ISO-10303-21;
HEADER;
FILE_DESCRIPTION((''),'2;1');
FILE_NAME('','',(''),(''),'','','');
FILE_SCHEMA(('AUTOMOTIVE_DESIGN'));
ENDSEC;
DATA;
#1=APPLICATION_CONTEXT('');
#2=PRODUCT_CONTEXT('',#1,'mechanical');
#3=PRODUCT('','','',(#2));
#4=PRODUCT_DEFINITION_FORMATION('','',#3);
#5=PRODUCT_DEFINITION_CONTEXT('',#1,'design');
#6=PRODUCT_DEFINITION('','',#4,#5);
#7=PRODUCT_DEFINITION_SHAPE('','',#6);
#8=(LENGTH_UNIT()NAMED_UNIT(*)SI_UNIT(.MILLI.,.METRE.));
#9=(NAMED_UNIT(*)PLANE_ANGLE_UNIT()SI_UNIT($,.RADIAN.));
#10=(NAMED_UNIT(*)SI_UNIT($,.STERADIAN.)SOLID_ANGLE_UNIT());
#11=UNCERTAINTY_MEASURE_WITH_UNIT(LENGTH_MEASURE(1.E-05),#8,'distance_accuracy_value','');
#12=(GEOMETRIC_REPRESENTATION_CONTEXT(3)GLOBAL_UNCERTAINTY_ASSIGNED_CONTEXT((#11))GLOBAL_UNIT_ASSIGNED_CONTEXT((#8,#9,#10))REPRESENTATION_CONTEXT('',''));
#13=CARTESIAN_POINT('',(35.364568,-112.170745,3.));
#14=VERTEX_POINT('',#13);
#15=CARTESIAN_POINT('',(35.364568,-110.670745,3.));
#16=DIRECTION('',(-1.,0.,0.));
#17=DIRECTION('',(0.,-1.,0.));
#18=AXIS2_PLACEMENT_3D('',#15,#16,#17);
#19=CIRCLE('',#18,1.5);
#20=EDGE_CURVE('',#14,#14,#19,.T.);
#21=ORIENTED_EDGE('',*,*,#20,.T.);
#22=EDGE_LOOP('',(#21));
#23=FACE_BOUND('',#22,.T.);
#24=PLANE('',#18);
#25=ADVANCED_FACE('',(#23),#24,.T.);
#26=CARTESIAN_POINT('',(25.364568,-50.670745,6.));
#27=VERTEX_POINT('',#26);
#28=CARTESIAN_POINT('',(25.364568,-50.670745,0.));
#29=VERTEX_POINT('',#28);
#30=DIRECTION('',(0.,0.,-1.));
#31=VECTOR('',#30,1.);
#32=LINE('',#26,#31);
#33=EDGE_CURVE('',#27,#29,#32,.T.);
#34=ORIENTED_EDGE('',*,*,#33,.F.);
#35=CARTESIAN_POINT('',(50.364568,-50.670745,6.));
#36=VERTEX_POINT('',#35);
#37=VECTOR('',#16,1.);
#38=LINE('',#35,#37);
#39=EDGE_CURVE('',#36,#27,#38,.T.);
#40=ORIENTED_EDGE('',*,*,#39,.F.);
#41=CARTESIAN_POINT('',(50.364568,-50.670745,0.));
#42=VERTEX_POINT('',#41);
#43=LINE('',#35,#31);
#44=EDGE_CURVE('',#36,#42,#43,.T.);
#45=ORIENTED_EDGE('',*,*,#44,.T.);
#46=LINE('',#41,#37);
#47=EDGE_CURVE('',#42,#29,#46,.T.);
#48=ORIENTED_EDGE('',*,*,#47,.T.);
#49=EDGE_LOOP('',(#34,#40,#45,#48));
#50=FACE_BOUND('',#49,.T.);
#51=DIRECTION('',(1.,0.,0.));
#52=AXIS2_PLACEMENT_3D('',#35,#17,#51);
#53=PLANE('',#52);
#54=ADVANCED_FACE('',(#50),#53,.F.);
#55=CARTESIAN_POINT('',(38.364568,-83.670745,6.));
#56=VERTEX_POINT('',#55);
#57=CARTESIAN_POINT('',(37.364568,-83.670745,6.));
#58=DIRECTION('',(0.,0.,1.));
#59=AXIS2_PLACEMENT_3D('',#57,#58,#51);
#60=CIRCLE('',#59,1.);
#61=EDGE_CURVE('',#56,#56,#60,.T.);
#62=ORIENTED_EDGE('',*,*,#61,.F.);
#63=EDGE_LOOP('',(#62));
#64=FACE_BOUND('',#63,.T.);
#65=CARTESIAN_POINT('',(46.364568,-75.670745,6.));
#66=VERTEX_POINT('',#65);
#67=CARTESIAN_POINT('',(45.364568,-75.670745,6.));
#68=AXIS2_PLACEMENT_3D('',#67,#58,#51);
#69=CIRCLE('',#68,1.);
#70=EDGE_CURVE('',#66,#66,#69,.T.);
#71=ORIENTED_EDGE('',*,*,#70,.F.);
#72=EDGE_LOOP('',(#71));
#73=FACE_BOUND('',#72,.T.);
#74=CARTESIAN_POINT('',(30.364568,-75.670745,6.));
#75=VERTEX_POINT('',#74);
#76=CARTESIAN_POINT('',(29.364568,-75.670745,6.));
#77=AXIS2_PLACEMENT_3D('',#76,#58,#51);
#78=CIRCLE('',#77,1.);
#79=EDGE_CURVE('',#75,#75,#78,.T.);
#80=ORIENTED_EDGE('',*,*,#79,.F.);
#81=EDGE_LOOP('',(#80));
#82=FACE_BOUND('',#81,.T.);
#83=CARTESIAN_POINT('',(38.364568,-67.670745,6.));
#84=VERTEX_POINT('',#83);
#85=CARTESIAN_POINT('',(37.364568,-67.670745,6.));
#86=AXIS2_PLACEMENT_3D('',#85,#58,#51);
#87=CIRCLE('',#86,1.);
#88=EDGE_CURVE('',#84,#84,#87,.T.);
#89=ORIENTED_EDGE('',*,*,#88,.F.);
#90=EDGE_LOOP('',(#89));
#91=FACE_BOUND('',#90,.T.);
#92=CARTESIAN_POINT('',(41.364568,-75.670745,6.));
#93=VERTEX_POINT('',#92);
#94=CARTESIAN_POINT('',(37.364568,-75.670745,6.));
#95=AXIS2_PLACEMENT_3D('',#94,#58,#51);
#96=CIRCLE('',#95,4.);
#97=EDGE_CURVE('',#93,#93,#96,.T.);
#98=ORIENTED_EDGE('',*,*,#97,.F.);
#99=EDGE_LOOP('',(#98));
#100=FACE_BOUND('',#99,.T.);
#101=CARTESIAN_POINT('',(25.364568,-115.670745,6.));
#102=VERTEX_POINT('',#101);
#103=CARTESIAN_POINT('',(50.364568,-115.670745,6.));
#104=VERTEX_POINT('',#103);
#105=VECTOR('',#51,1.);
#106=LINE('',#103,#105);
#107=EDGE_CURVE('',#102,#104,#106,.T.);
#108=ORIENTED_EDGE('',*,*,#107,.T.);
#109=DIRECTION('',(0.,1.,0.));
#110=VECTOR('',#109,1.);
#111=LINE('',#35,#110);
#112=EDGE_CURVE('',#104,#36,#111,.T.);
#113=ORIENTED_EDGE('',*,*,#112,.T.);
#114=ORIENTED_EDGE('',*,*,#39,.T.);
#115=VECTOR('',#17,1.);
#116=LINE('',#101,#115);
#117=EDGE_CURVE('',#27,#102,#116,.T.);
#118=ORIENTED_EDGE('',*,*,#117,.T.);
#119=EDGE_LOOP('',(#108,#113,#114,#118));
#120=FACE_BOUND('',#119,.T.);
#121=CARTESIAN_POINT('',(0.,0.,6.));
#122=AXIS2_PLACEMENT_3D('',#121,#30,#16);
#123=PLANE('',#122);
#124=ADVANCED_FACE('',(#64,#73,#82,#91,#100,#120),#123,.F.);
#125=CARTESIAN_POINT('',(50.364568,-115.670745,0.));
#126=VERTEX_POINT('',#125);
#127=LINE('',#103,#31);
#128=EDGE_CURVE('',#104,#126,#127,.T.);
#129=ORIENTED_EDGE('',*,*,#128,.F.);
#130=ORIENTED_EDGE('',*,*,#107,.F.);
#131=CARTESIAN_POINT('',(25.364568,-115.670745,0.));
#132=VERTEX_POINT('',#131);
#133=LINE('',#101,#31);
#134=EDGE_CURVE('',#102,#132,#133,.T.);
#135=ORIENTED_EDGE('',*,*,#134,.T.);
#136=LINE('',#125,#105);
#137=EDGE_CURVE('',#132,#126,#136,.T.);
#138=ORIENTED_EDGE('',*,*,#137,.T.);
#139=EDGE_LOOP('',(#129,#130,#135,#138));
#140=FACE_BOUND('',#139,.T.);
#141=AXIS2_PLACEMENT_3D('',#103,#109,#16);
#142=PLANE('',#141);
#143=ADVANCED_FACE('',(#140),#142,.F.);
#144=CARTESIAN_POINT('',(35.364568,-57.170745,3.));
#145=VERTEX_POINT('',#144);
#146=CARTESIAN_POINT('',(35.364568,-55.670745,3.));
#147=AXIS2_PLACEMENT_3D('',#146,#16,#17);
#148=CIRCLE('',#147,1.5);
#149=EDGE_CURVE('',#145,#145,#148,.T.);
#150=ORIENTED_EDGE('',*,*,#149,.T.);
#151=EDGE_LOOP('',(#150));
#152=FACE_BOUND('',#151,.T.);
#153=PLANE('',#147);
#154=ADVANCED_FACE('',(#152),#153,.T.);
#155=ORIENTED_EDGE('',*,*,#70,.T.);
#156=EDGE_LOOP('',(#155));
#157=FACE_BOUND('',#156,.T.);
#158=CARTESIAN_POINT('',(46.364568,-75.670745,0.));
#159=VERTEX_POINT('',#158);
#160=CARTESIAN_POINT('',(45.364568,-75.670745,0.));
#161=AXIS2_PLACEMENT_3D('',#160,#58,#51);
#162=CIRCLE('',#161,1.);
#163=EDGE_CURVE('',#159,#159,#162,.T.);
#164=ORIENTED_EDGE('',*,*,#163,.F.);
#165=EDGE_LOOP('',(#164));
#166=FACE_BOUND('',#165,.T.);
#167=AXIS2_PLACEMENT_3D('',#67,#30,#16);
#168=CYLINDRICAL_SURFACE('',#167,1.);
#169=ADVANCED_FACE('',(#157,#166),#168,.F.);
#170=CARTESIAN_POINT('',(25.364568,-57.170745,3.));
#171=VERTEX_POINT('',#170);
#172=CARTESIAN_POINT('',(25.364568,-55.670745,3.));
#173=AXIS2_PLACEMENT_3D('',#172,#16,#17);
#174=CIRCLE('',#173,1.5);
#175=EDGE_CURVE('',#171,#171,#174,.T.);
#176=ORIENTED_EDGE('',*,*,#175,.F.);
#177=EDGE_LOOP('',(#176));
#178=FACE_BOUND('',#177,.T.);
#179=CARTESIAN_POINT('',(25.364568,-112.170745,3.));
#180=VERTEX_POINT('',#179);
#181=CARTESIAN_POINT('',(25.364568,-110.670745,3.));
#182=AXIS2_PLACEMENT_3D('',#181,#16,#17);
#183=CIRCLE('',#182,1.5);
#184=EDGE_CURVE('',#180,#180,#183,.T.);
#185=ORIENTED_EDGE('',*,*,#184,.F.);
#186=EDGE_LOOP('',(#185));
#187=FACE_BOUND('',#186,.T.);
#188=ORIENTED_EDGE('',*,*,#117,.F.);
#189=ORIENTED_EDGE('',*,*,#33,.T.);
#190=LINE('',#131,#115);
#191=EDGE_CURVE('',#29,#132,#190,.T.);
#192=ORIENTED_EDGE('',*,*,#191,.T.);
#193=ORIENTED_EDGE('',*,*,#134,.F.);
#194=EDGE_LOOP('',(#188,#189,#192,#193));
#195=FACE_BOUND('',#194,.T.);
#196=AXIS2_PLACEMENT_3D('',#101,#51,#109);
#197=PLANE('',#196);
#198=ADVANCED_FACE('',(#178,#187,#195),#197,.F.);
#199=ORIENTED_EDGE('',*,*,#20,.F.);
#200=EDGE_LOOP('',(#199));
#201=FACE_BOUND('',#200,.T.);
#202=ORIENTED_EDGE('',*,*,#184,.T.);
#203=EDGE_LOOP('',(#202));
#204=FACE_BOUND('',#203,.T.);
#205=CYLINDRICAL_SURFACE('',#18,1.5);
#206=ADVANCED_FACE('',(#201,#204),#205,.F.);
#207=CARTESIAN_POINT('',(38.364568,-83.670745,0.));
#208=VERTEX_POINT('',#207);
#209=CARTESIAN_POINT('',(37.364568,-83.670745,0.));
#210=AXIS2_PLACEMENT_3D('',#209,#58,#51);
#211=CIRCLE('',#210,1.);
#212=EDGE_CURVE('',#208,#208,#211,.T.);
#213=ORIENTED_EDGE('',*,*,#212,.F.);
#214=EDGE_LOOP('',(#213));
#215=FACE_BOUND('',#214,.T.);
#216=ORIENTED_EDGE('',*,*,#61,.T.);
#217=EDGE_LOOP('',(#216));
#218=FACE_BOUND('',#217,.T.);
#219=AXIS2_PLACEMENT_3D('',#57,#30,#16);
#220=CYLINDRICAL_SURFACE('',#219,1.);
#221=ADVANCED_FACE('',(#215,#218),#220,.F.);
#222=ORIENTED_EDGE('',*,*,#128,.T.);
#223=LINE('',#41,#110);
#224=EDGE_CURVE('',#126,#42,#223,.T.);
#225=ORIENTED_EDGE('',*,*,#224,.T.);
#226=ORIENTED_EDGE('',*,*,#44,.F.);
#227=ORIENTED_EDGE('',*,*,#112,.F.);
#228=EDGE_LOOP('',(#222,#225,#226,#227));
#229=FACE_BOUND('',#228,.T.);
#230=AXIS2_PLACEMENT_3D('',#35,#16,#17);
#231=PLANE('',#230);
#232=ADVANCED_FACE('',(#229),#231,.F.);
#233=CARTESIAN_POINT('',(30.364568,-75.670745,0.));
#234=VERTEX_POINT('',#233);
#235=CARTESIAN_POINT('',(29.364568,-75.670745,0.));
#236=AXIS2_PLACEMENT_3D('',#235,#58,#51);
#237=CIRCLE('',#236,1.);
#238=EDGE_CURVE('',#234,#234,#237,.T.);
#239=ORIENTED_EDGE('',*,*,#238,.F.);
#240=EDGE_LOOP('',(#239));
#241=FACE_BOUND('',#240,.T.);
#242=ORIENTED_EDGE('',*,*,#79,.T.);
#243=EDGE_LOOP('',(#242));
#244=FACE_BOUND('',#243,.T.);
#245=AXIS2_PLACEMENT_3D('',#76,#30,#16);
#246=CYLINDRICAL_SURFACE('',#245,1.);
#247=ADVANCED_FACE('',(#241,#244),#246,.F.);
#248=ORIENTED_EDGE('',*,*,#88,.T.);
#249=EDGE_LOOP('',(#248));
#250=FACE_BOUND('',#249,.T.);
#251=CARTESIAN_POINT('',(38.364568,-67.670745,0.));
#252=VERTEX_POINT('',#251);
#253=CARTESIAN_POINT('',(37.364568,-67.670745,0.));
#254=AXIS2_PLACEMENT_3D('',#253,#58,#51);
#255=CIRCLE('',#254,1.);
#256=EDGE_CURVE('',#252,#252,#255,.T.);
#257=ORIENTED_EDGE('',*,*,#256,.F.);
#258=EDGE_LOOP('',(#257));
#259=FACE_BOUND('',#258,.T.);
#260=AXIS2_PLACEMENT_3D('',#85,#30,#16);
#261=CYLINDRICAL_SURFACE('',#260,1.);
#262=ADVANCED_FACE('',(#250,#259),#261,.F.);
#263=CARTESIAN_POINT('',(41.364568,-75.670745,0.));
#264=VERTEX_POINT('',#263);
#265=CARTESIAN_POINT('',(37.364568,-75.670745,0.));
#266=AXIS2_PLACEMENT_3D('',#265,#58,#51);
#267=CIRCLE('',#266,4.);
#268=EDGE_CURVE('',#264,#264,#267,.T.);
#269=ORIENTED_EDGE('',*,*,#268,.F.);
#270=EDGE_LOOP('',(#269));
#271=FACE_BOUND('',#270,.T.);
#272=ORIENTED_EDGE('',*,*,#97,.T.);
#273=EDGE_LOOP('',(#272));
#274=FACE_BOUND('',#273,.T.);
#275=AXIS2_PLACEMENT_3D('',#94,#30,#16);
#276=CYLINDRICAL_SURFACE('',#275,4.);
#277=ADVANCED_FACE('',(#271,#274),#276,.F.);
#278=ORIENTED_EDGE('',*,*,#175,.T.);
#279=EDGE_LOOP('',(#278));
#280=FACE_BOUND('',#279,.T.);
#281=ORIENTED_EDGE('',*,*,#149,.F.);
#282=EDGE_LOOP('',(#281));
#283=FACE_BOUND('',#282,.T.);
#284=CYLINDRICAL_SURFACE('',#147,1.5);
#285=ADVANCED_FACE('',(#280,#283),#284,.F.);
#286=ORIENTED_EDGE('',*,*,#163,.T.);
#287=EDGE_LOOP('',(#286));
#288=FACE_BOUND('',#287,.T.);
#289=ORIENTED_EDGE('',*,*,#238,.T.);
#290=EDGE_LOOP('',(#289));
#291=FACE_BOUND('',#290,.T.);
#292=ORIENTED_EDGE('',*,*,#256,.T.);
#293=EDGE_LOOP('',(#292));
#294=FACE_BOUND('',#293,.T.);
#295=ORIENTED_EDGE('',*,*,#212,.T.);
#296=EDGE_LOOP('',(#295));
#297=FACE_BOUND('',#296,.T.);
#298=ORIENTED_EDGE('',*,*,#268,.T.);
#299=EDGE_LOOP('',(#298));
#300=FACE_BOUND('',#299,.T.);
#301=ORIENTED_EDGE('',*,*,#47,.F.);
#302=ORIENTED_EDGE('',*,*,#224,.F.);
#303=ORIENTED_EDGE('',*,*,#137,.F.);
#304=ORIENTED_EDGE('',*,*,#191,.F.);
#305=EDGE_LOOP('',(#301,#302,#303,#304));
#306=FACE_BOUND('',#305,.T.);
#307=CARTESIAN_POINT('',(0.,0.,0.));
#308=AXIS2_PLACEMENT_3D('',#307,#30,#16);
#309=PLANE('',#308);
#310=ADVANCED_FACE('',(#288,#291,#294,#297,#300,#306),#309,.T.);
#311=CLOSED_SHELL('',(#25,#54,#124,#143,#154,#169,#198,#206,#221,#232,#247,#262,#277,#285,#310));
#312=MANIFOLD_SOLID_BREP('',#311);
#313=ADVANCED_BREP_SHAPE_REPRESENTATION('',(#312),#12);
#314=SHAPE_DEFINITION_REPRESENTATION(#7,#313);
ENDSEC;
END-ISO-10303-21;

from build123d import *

# Parameters (mm, degrees)
ESQUISSE1_W             = 25
ESQUISSE1_H             = 65
ESQUISSE1_R             = 1
ESQUISSE1_R_2           = 4
BOSS_EXTRU_1_DEPTH      = 6
ESQUISSE4_R             = 1.5
ENL_V_MAT_EXTRU_3_DEPTH = 10


with BuildPart() as part:
    # Esquisse1 → Boss.-Extru.1 (new body)
    with BuildSketch(Plane.XY):
        with Locations((37.864568032, -83.170745263)):
            Rectangle(ESQUISSE1_W, ESQUISSE1_H)
        with Locations((29.364568032, -75.670745263)):
            Circle(ESQUISSE1_R, mode=Mode.SUBTRACT)
        with Locations((37.364568032, -67.670745263)):
            Circle(ESQUISSE1_R, mode=Mode.SUBTRACT)
        with Locations((45.364568032, -75.670745263)):
            Circle(ESQUISSE1_R, mode=Mode.SUBTRACT)
        with Locations((37.364568032, -83.670745263)):
            Circle(ESQUISSE1_R, mode=Mode.SUBTRACT)
        with Locations((37.364568032, -75.670745263)):
            Circle(ESQUISSE1_R_2, mode=Mode.SUBTRACT)
    extrude(amount=BOSS_EXTRU_1_DEPTH)

    # Esquisse4 → Enlèv. mat.-Extru.3 (cut)
    with BuildSketch(Plane.ZY.offset(-25.364568032)):
        with Locations((3, -55.670745263)):
            Circle(ESQUISSE4_R)
        with Locations((3, -110.670745263)):
            Circle(ESQUISSE4_R)
    extrude(amount=-ENL_V_MAT_EXTRU_3_DEPTH, mode=Mode.SUBTRACT)


solid = part.part
